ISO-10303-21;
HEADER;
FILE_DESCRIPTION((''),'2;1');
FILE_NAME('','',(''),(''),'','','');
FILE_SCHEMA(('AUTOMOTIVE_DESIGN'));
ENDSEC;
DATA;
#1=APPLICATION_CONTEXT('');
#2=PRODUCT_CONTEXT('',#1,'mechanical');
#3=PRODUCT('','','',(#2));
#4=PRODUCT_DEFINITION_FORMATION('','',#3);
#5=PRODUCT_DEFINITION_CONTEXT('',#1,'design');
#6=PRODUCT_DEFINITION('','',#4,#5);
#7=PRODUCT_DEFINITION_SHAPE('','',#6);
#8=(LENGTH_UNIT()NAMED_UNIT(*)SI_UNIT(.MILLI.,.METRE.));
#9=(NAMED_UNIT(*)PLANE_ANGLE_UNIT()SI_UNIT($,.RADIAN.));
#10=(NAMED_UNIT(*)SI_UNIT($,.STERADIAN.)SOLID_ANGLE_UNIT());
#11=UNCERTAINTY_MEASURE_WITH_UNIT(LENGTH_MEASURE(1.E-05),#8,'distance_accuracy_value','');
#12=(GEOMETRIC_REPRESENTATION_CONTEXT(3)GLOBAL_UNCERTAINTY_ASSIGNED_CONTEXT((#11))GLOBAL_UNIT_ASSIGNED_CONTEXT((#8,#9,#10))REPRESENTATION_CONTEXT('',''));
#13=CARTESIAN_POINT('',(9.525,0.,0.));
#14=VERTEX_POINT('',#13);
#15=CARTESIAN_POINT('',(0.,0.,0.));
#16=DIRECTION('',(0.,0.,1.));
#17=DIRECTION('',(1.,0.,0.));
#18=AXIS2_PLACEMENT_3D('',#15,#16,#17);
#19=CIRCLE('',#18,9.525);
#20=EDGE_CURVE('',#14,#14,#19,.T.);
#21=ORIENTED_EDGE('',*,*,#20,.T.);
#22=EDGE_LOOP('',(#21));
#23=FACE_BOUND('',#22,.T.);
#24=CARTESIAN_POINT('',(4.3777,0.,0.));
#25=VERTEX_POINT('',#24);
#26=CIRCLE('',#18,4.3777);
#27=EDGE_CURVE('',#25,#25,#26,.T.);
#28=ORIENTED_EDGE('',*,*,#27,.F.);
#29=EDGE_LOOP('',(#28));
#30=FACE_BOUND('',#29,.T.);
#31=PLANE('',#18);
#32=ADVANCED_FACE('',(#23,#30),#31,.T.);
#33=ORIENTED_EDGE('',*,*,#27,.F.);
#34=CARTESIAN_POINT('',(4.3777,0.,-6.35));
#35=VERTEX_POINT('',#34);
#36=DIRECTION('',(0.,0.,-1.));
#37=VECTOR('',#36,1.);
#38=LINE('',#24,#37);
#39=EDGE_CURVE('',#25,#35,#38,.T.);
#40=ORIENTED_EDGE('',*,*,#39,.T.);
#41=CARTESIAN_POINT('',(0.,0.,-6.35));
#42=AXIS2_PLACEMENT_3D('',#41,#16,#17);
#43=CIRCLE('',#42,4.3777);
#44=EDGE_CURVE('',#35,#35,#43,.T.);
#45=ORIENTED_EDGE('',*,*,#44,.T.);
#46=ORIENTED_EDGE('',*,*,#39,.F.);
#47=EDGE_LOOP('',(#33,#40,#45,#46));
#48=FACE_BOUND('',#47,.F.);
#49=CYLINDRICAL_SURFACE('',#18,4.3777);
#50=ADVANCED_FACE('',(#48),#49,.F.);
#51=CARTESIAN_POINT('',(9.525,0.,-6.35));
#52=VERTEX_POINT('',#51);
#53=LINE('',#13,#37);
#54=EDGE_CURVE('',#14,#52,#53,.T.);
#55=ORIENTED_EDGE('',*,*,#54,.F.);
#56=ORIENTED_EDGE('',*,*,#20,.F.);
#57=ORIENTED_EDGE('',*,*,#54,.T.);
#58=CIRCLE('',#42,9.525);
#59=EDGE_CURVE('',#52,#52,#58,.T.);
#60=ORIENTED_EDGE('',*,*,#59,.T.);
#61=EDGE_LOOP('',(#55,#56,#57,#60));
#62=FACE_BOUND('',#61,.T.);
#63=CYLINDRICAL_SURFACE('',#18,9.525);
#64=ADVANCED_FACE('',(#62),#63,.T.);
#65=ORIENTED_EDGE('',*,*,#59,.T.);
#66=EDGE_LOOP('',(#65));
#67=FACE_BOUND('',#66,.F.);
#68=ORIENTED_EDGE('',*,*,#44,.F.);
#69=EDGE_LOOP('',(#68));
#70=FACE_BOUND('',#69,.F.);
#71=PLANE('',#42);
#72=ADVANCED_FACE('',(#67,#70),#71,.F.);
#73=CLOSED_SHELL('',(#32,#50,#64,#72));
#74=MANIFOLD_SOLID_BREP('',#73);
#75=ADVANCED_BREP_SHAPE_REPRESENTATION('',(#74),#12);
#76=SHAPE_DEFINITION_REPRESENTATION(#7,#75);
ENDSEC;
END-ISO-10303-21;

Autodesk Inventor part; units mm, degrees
ref_plane "YZ Plane" through (0, 0, 0) normal (1, 0, 0) x (0, 1, 0)
ref_plane "XZ Plane" through (0, 0, 0) normal (0, 1, 0) x (-1, 0, 0)
ref_plane "XY Plane" through (0, 0, 0) normal (0, 0, 1) x (1, 0, 0)
sketch "Sketch1" plane through (0, 0, 0) normal (0, 0, 1) x (1, 0, 0)
  circle A0 centre (0, 0) radius 9.525
  circle A1 centre (0, 0) radius 4.3777
  dimension "d0" = 19.05
  dimension "d1" = 8.7555
extrude "Extrusion1" add sketch "Sketch1" against normal blind 6.35
properties part number "Bearing BD drill motor shaft"
